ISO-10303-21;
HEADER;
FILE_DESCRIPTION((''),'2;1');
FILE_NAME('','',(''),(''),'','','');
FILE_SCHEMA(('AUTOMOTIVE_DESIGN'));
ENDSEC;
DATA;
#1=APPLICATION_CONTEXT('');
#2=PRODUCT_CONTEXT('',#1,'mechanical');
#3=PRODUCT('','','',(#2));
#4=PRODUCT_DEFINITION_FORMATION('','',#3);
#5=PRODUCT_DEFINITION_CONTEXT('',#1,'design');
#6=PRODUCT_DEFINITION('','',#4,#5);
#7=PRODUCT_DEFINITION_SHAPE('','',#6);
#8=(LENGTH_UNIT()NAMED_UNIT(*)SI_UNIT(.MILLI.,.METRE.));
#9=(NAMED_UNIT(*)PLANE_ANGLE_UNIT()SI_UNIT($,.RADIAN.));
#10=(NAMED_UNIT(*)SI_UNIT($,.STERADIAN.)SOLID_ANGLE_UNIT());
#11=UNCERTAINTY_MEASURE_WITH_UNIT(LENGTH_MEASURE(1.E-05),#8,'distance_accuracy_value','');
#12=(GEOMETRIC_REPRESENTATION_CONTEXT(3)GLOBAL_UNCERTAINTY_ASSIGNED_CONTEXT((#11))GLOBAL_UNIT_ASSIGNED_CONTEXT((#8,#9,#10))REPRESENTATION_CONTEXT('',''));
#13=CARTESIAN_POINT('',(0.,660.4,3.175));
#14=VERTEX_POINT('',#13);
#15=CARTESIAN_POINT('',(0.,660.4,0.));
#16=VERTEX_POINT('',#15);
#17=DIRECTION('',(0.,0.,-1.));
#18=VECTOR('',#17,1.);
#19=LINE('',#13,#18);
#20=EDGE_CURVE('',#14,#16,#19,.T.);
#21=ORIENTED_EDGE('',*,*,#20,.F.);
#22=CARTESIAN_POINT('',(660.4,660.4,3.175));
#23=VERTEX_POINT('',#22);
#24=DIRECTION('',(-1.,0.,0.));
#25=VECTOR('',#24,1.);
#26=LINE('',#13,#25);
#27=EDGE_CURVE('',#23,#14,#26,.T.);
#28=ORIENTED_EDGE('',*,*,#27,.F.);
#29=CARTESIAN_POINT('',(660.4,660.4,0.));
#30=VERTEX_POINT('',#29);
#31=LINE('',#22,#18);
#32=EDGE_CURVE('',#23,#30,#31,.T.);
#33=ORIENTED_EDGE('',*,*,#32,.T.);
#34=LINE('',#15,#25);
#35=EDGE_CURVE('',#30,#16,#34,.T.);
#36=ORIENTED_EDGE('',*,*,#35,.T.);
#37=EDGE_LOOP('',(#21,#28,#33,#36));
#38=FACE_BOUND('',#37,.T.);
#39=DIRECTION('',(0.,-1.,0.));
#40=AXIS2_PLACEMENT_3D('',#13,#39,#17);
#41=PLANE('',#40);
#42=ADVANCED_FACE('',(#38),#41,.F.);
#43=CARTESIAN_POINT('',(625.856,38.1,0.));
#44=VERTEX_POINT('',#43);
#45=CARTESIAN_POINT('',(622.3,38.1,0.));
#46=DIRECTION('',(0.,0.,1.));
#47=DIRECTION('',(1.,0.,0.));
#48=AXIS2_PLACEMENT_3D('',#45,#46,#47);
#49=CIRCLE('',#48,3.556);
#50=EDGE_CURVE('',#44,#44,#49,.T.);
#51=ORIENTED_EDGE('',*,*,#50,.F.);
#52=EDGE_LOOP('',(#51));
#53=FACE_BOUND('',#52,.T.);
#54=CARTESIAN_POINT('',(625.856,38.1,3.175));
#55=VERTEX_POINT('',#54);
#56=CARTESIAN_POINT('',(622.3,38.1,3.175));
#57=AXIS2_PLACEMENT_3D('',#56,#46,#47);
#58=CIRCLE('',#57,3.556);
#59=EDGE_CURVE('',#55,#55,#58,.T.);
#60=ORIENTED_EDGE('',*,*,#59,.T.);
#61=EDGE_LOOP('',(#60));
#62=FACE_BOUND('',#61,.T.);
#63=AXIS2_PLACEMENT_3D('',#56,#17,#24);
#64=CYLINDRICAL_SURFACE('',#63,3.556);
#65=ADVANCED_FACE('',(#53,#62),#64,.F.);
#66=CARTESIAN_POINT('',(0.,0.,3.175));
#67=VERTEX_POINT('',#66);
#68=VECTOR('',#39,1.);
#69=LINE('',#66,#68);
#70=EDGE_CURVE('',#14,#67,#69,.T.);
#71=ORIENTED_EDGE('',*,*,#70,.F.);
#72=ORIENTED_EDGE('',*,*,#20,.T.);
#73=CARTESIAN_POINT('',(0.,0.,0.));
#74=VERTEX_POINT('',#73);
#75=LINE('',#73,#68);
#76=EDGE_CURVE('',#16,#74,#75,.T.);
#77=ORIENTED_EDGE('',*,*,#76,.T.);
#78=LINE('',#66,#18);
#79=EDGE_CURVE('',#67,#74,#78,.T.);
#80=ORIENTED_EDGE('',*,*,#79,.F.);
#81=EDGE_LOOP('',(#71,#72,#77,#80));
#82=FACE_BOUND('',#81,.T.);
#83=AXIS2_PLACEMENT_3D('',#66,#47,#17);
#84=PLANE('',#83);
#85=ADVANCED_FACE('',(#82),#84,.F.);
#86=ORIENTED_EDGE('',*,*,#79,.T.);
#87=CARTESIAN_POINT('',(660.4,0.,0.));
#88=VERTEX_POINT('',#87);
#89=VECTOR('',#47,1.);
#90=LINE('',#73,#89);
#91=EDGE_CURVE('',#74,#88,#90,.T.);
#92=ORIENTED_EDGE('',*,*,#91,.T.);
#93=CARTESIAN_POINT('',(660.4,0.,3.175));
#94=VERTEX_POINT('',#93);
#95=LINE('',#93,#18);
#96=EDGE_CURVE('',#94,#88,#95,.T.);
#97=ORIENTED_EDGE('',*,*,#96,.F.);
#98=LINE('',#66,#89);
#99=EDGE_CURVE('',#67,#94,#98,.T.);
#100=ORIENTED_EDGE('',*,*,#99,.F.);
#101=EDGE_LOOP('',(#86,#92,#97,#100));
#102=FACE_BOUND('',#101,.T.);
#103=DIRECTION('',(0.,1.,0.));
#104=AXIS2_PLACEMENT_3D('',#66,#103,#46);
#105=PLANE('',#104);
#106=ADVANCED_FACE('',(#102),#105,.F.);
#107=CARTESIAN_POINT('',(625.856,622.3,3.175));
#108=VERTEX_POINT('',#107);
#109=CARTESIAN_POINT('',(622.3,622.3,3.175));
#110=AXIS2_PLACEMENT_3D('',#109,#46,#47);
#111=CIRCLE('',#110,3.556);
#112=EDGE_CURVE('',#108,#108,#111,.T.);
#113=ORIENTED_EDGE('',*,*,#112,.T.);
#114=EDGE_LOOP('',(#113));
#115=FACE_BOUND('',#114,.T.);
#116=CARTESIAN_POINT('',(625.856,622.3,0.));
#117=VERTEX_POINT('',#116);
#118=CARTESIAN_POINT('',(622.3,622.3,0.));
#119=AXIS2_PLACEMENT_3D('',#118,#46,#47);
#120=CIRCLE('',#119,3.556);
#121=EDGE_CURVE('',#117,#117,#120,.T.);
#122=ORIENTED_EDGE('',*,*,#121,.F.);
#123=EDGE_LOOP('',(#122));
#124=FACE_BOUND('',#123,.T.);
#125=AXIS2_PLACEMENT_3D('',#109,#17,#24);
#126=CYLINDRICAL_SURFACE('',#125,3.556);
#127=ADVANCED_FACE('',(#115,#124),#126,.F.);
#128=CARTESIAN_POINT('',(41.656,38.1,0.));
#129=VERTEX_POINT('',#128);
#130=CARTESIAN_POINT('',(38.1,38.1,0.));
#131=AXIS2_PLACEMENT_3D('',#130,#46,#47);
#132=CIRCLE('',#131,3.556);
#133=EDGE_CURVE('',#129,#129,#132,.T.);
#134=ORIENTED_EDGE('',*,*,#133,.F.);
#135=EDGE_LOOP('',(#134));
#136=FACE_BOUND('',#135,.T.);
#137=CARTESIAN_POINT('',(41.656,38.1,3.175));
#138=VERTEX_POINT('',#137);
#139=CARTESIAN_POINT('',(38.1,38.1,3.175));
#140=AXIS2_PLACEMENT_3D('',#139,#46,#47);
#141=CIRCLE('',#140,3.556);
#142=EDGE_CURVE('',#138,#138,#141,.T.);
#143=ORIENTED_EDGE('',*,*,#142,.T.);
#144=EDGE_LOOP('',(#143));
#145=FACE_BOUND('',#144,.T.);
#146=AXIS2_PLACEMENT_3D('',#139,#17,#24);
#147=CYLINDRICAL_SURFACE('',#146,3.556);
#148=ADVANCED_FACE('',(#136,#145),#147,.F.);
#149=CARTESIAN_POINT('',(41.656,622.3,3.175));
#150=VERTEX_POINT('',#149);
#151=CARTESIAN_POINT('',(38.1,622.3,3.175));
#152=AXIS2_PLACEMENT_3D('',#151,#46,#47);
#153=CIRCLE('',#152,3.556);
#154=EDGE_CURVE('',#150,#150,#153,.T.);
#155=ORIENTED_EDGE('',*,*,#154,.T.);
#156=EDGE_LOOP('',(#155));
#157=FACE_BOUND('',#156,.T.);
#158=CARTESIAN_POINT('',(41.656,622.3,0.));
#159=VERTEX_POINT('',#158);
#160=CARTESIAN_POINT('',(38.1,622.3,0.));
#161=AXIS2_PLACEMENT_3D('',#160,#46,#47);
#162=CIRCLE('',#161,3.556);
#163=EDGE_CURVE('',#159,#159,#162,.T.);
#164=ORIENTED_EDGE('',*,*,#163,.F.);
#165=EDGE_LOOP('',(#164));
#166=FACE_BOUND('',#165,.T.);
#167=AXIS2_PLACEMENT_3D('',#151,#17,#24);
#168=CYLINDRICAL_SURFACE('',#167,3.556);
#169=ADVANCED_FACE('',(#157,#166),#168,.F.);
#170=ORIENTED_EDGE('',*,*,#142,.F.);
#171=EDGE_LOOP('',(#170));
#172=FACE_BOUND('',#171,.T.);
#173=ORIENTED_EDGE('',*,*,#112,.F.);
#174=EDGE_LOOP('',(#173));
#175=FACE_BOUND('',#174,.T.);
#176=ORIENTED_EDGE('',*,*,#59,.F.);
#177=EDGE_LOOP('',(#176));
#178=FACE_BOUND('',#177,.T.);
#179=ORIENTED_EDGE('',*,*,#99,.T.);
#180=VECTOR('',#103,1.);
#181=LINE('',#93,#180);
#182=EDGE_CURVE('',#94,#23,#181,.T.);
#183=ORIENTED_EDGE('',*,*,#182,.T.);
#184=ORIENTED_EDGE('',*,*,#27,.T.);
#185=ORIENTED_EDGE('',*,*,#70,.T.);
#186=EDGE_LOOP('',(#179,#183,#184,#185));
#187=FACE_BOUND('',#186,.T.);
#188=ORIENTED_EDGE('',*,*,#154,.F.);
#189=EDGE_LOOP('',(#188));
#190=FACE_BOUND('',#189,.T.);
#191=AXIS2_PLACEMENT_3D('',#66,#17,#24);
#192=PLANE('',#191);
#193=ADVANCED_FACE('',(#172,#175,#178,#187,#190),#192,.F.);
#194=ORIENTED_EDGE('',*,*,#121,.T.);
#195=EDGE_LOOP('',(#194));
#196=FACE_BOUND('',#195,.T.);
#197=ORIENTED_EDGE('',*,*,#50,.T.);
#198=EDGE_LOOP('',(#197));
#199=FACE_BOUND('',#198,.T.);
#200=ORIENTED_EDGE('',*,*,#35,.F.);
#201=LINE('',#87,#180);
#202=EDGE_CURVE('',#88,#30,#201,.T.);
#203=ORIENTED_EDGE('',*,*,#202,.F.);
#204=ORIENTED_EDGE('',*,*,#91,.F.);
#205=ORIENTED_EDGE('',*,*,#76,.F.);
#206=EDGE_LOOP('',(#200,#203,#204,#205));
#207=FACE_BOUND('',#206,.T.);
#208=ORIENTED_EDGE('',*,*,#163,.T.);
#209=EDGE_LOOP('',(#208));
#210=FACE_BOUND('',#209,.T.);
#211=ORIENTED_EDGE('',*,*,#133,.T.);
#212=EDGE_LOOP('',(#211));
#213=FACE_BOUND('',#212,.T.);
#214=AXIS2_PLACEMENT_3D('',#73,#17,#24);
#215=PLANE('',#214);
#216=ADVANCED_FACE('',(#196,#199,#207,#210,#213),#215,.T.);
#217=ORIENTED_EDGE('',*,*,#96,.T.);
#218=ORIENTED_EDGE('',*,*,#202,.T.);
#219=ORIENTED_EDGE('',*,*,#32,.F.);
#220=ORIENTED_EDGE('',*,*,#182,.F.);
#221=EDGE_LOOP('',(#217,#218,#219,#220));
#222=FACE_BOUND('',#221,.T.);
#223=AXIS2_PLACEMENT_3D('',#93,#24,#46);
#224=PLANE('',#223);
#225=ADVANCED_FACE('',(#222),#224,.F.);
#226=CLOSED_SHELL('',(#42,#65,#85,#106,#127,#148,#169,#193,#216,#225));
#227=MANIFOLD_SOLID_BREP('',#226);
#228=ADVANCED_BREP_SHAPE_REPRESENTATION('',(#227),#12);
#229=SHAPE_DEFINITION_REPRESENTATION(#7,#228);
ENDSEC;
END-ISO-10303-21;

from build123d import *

# Parameters (mm, degrees)
SKETCH1_W           = 660.4
SKETCH1_H           = 660.4
SKETCH1_R           = 3.556
BOSS_EXTRUDE1_DEPTH = 3.175


with BuildPart() as part:
    # Sketch1 → Boss-Extrude1 (new body)
    with BuildSketch(Plane.XY):
        with Locations((330.2, 330.2)):
            Rectangle(SKETCH1_W, SKETCH1_H)
        with Locations((38.1, 622.3)):
            Circle(SKETCH1_R, mode=Mode.SUBTRACT)
        with Locations((622.3, 622.3)):
            Circle(SKETCH1_R, mode=Mode.SUBTRACT)
        with Locations((622.3, 38.1)):
            Circle(SKETCH1_R, mode=Mode.SUBTRACT)
        with Locations((38.1, 38.1)):
            Circle(SKETCH1_R, mode=Mode.SUBTRACT)
    extrude(amount=BOSS_EXTRUDE1_DEPTH)


solid = part.part
